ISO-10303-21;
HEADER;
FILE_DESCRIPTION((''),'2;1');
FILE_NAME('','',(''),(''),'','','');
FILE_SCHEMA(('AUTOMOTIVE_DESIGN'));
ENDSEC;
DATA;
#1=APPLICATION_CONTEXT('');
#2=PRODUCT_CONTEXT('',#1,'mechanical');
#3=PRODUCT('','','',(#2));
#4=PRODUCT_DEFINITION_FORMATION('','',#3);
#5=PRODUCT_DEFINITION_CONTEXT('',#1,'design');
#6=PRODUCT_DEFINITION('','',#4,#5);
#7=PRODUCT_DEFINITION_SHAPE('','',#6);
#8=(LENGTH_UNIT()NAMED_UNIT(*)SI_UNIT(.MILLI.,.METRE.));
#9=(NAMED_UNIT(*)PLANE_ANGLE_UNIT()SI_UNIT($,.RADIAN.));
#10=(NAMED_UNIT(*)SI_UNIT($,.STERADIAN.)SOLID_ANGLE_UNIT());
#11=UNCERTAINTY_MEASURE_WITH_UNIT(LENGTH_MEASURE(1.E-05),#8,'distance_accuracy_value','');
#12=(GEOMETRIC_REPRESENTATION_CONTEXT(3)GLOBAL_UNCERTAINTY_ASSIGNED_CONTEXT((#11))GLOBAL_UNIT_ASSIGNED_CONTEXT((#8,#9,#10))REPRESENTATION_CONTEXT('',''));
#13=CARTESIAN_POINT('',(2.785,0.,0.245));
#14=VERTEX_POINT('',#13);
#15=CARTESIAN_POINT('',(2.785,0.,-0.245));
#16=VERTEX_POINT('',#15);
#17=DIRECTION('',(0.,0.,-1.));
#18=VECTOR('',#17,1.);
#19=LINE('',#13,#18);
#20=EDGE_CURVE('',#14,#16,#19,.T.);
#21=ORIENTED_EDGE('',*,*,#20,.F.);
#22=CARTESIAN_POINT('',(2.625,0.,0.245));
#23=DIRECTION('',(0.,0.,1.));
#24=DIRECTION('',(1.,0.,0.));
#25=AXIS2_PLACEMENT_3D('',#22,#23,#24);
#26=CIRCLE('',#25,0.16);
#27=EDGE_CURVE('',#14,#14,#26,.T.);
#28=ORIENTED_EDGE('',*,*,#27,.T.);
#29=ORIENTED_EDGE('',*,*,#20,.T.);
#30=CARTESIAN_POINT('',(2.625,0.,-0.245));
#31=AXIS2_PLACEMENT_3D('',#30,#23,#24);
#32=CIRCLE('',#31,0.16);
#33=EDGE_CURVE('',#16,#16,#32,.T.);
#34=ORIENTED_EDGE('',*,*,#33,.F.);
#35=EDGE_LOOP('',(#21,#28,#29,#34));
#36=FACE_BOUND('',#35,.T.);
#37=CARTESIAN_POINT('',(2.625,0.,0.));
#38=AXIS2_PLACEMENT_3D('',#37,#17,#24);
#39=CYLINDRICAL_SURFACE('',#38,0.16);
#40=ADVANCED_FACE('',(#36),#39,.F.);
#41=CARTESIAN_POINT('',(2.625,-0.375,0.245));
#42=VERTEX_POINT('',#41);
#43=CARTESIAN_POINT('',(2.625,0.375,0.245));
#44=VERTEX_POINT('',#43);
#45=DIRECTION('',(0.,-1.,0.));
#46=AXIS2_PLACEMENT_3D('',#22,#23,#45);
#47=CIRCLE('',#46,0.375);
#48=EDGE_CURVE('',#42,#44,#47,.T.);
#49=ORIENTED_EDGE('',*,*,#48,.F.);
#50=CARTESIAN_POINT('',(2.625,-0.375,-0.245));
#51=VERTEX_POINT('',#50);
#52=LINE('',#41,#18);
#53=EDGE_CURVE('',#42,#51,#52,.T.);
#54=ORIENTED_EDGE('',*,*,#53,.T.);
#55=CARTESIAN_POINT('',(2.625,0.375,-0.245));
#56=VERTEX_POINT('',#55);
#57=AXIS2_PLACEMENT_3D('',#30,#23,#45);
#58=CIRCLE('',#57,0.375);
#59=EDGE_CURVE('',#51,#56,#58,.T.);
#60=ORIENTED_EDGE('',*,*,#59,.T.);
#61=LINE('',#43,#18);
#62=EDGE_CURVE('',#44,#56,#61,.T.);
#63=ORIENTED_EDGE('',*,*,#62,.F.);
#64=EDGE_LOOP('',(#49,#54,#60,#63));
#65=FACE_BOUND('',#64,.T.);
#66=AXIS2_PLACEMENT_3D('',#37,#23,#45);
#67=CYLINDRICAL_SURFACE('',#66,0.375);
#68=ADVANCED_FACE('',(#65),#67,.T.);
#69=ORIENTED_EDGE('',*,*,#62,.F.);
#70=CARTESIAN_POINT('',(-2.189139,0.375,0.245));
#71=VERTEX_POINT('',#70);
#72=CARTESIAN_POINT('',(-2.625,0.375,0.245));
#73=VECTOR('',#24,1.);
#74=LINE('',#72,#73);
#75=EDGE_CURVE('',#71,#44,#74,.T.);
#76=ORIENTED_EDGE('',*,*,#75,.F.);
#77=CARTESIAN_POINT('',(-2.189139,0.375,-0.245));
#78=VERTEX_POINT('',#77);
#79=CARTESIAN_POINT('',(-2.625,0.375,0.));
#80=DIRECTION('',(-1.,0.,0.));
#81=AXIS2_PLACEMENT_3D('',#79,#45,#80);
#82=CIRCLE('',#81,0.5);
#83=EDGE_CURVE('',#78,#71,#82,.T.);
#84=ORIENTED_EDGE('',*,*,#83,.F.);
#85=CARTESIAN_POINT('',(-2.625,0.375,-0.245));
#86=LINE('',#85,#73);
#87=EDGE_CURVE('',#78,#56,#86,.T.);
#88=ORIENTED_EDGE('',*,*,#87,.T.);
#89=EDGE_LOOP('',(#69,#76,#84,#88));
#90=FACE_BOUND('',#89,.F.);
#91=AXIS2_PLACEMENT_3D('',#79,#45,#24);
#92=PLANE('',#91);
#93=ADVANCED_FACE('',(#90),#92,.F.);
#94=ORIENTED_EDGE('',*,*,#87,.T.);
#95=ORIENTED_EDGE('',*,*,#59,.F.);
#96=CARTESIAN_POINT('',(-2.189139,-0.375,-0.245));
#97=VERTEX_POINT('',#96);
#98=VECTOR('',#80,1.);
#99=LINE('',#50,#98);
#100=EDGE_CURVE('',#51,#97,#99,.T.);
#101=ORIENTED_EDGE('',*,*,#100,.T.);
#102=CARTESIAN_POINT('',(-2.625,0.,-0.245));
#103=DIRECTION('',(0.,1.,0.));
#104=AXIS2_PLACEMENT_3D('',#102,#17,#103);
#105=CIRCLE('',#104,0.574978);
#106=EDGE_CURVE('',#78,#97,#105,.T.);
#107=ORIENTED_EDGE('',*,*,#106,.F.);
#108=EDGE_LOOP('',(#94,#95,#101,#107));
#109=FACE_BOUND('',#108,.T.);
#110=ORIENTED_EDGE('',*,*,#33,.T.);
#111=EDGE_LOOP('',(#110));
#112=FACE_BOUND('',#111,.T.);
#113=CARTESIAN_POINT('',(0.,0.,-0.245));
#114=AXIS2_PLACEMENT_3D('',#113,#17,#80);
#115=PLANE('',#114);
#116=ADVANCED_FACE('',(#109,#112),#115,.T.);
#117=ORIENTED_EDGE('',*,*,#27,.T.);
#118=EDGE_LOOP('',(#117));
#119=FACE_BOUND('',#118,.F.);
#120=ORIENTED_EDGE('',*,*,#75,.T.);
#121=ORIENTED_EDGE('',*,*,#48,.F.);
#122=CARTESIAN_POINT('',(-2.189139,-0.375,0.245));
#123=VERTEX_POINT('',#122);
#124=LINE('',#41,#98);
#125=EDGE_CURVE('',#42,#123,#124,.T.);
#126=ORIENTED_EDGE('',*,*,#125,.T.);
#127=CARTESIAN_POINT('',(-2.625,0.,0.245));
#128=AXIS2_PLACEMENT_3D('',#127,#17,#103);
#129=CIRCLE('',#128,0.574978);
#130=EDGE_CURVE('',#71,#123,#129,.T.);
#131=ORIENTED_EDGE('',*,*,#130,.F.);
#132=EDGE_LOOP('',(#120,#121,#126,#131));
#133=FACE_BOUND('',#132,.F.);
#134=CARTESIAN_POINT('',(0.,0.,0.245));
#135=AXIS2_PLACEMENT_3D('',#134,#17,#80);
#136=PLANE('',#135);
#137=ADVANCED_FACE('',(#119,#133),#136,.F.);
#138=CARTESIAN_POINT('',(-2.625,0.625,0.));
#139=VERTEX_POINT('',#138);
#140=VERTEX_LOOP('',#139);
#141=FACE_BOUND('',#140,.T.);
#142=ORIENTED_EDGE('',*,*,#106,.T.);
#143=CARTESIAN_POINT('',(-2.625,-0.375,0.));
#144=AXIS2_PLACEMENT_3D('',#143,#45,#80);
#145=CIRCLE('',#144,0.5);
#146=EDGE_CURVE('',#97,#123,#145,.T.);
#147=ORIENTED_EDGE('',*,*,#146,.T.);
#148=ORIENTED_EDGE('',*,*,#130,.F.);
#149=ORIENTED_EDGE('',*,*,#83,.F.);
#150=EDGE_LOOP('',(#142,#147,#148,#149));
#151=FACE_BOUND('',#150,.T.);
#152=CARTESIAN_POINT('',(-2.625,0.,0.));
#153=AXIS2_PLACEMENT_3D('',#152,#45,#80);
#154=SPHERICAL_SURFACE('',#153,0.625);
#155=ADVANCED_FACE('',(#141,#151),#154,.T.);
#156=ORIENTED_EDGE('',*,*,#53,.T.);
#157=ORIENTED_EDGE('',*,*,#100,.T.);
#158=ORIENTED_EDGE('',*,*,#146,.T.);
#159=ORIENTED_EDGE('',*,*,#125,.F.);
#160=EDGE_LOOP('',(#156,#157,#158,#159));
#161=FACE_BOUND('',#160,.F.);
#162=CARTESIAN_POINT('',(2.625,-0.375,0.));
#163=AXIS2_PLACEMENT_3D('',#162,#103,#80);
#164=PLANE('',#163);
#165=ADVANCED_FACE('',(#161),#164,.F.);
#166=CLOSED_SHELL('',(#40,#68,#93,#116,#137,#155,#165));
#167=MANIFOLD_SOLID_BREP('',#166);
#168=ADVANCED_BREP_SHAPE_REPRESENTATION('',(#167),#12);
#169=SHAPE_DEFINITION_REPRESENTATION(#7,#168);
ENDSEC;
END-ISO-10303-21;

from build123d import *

# Parameters (mm, degrees)
SKETCH_R  = 0.16
PAD_DEPTH = 0.245


with BuildPart() as part:
    # Sketch → Pad (new body, symmetric)
    with BuildSketch(Plane.XY):
        with BuildLine():
            Line((-2.625, 0.375), (2.625, 0.375))
            ThreePointArc((2.625, -0.375), (3, 0), (2.625, 0.375))
            Line((2.625, -0.375), (-2.625, -0.375))
            ThreePointArc((-2.625, 0.375), (-3, 0), (-2.625, -0.375))
        make_face()
        with Locations((2.625, 0)):
            Circle(SKETCH_R, mode=Mode.SUBTRACT)
    extrude(amount=PAD_DEPTH, both=True)

    # Sketch001 → Revolution (revolve)
    with BuildSketch(Plane.XY):
        with BuildLine():
            Line((-2.625, 0.625), (-2.625, 0))
            Line((-2.625, 0), (-2.625, -0.625))
            ThreePointArc((-2.625, 0.625), (-3.25, 0), (-2.625, -0.625))
        make_face()
    revolve(axis=Axis((-2.625, 0, 0), (0, -1, 0)))


solid = part.part
